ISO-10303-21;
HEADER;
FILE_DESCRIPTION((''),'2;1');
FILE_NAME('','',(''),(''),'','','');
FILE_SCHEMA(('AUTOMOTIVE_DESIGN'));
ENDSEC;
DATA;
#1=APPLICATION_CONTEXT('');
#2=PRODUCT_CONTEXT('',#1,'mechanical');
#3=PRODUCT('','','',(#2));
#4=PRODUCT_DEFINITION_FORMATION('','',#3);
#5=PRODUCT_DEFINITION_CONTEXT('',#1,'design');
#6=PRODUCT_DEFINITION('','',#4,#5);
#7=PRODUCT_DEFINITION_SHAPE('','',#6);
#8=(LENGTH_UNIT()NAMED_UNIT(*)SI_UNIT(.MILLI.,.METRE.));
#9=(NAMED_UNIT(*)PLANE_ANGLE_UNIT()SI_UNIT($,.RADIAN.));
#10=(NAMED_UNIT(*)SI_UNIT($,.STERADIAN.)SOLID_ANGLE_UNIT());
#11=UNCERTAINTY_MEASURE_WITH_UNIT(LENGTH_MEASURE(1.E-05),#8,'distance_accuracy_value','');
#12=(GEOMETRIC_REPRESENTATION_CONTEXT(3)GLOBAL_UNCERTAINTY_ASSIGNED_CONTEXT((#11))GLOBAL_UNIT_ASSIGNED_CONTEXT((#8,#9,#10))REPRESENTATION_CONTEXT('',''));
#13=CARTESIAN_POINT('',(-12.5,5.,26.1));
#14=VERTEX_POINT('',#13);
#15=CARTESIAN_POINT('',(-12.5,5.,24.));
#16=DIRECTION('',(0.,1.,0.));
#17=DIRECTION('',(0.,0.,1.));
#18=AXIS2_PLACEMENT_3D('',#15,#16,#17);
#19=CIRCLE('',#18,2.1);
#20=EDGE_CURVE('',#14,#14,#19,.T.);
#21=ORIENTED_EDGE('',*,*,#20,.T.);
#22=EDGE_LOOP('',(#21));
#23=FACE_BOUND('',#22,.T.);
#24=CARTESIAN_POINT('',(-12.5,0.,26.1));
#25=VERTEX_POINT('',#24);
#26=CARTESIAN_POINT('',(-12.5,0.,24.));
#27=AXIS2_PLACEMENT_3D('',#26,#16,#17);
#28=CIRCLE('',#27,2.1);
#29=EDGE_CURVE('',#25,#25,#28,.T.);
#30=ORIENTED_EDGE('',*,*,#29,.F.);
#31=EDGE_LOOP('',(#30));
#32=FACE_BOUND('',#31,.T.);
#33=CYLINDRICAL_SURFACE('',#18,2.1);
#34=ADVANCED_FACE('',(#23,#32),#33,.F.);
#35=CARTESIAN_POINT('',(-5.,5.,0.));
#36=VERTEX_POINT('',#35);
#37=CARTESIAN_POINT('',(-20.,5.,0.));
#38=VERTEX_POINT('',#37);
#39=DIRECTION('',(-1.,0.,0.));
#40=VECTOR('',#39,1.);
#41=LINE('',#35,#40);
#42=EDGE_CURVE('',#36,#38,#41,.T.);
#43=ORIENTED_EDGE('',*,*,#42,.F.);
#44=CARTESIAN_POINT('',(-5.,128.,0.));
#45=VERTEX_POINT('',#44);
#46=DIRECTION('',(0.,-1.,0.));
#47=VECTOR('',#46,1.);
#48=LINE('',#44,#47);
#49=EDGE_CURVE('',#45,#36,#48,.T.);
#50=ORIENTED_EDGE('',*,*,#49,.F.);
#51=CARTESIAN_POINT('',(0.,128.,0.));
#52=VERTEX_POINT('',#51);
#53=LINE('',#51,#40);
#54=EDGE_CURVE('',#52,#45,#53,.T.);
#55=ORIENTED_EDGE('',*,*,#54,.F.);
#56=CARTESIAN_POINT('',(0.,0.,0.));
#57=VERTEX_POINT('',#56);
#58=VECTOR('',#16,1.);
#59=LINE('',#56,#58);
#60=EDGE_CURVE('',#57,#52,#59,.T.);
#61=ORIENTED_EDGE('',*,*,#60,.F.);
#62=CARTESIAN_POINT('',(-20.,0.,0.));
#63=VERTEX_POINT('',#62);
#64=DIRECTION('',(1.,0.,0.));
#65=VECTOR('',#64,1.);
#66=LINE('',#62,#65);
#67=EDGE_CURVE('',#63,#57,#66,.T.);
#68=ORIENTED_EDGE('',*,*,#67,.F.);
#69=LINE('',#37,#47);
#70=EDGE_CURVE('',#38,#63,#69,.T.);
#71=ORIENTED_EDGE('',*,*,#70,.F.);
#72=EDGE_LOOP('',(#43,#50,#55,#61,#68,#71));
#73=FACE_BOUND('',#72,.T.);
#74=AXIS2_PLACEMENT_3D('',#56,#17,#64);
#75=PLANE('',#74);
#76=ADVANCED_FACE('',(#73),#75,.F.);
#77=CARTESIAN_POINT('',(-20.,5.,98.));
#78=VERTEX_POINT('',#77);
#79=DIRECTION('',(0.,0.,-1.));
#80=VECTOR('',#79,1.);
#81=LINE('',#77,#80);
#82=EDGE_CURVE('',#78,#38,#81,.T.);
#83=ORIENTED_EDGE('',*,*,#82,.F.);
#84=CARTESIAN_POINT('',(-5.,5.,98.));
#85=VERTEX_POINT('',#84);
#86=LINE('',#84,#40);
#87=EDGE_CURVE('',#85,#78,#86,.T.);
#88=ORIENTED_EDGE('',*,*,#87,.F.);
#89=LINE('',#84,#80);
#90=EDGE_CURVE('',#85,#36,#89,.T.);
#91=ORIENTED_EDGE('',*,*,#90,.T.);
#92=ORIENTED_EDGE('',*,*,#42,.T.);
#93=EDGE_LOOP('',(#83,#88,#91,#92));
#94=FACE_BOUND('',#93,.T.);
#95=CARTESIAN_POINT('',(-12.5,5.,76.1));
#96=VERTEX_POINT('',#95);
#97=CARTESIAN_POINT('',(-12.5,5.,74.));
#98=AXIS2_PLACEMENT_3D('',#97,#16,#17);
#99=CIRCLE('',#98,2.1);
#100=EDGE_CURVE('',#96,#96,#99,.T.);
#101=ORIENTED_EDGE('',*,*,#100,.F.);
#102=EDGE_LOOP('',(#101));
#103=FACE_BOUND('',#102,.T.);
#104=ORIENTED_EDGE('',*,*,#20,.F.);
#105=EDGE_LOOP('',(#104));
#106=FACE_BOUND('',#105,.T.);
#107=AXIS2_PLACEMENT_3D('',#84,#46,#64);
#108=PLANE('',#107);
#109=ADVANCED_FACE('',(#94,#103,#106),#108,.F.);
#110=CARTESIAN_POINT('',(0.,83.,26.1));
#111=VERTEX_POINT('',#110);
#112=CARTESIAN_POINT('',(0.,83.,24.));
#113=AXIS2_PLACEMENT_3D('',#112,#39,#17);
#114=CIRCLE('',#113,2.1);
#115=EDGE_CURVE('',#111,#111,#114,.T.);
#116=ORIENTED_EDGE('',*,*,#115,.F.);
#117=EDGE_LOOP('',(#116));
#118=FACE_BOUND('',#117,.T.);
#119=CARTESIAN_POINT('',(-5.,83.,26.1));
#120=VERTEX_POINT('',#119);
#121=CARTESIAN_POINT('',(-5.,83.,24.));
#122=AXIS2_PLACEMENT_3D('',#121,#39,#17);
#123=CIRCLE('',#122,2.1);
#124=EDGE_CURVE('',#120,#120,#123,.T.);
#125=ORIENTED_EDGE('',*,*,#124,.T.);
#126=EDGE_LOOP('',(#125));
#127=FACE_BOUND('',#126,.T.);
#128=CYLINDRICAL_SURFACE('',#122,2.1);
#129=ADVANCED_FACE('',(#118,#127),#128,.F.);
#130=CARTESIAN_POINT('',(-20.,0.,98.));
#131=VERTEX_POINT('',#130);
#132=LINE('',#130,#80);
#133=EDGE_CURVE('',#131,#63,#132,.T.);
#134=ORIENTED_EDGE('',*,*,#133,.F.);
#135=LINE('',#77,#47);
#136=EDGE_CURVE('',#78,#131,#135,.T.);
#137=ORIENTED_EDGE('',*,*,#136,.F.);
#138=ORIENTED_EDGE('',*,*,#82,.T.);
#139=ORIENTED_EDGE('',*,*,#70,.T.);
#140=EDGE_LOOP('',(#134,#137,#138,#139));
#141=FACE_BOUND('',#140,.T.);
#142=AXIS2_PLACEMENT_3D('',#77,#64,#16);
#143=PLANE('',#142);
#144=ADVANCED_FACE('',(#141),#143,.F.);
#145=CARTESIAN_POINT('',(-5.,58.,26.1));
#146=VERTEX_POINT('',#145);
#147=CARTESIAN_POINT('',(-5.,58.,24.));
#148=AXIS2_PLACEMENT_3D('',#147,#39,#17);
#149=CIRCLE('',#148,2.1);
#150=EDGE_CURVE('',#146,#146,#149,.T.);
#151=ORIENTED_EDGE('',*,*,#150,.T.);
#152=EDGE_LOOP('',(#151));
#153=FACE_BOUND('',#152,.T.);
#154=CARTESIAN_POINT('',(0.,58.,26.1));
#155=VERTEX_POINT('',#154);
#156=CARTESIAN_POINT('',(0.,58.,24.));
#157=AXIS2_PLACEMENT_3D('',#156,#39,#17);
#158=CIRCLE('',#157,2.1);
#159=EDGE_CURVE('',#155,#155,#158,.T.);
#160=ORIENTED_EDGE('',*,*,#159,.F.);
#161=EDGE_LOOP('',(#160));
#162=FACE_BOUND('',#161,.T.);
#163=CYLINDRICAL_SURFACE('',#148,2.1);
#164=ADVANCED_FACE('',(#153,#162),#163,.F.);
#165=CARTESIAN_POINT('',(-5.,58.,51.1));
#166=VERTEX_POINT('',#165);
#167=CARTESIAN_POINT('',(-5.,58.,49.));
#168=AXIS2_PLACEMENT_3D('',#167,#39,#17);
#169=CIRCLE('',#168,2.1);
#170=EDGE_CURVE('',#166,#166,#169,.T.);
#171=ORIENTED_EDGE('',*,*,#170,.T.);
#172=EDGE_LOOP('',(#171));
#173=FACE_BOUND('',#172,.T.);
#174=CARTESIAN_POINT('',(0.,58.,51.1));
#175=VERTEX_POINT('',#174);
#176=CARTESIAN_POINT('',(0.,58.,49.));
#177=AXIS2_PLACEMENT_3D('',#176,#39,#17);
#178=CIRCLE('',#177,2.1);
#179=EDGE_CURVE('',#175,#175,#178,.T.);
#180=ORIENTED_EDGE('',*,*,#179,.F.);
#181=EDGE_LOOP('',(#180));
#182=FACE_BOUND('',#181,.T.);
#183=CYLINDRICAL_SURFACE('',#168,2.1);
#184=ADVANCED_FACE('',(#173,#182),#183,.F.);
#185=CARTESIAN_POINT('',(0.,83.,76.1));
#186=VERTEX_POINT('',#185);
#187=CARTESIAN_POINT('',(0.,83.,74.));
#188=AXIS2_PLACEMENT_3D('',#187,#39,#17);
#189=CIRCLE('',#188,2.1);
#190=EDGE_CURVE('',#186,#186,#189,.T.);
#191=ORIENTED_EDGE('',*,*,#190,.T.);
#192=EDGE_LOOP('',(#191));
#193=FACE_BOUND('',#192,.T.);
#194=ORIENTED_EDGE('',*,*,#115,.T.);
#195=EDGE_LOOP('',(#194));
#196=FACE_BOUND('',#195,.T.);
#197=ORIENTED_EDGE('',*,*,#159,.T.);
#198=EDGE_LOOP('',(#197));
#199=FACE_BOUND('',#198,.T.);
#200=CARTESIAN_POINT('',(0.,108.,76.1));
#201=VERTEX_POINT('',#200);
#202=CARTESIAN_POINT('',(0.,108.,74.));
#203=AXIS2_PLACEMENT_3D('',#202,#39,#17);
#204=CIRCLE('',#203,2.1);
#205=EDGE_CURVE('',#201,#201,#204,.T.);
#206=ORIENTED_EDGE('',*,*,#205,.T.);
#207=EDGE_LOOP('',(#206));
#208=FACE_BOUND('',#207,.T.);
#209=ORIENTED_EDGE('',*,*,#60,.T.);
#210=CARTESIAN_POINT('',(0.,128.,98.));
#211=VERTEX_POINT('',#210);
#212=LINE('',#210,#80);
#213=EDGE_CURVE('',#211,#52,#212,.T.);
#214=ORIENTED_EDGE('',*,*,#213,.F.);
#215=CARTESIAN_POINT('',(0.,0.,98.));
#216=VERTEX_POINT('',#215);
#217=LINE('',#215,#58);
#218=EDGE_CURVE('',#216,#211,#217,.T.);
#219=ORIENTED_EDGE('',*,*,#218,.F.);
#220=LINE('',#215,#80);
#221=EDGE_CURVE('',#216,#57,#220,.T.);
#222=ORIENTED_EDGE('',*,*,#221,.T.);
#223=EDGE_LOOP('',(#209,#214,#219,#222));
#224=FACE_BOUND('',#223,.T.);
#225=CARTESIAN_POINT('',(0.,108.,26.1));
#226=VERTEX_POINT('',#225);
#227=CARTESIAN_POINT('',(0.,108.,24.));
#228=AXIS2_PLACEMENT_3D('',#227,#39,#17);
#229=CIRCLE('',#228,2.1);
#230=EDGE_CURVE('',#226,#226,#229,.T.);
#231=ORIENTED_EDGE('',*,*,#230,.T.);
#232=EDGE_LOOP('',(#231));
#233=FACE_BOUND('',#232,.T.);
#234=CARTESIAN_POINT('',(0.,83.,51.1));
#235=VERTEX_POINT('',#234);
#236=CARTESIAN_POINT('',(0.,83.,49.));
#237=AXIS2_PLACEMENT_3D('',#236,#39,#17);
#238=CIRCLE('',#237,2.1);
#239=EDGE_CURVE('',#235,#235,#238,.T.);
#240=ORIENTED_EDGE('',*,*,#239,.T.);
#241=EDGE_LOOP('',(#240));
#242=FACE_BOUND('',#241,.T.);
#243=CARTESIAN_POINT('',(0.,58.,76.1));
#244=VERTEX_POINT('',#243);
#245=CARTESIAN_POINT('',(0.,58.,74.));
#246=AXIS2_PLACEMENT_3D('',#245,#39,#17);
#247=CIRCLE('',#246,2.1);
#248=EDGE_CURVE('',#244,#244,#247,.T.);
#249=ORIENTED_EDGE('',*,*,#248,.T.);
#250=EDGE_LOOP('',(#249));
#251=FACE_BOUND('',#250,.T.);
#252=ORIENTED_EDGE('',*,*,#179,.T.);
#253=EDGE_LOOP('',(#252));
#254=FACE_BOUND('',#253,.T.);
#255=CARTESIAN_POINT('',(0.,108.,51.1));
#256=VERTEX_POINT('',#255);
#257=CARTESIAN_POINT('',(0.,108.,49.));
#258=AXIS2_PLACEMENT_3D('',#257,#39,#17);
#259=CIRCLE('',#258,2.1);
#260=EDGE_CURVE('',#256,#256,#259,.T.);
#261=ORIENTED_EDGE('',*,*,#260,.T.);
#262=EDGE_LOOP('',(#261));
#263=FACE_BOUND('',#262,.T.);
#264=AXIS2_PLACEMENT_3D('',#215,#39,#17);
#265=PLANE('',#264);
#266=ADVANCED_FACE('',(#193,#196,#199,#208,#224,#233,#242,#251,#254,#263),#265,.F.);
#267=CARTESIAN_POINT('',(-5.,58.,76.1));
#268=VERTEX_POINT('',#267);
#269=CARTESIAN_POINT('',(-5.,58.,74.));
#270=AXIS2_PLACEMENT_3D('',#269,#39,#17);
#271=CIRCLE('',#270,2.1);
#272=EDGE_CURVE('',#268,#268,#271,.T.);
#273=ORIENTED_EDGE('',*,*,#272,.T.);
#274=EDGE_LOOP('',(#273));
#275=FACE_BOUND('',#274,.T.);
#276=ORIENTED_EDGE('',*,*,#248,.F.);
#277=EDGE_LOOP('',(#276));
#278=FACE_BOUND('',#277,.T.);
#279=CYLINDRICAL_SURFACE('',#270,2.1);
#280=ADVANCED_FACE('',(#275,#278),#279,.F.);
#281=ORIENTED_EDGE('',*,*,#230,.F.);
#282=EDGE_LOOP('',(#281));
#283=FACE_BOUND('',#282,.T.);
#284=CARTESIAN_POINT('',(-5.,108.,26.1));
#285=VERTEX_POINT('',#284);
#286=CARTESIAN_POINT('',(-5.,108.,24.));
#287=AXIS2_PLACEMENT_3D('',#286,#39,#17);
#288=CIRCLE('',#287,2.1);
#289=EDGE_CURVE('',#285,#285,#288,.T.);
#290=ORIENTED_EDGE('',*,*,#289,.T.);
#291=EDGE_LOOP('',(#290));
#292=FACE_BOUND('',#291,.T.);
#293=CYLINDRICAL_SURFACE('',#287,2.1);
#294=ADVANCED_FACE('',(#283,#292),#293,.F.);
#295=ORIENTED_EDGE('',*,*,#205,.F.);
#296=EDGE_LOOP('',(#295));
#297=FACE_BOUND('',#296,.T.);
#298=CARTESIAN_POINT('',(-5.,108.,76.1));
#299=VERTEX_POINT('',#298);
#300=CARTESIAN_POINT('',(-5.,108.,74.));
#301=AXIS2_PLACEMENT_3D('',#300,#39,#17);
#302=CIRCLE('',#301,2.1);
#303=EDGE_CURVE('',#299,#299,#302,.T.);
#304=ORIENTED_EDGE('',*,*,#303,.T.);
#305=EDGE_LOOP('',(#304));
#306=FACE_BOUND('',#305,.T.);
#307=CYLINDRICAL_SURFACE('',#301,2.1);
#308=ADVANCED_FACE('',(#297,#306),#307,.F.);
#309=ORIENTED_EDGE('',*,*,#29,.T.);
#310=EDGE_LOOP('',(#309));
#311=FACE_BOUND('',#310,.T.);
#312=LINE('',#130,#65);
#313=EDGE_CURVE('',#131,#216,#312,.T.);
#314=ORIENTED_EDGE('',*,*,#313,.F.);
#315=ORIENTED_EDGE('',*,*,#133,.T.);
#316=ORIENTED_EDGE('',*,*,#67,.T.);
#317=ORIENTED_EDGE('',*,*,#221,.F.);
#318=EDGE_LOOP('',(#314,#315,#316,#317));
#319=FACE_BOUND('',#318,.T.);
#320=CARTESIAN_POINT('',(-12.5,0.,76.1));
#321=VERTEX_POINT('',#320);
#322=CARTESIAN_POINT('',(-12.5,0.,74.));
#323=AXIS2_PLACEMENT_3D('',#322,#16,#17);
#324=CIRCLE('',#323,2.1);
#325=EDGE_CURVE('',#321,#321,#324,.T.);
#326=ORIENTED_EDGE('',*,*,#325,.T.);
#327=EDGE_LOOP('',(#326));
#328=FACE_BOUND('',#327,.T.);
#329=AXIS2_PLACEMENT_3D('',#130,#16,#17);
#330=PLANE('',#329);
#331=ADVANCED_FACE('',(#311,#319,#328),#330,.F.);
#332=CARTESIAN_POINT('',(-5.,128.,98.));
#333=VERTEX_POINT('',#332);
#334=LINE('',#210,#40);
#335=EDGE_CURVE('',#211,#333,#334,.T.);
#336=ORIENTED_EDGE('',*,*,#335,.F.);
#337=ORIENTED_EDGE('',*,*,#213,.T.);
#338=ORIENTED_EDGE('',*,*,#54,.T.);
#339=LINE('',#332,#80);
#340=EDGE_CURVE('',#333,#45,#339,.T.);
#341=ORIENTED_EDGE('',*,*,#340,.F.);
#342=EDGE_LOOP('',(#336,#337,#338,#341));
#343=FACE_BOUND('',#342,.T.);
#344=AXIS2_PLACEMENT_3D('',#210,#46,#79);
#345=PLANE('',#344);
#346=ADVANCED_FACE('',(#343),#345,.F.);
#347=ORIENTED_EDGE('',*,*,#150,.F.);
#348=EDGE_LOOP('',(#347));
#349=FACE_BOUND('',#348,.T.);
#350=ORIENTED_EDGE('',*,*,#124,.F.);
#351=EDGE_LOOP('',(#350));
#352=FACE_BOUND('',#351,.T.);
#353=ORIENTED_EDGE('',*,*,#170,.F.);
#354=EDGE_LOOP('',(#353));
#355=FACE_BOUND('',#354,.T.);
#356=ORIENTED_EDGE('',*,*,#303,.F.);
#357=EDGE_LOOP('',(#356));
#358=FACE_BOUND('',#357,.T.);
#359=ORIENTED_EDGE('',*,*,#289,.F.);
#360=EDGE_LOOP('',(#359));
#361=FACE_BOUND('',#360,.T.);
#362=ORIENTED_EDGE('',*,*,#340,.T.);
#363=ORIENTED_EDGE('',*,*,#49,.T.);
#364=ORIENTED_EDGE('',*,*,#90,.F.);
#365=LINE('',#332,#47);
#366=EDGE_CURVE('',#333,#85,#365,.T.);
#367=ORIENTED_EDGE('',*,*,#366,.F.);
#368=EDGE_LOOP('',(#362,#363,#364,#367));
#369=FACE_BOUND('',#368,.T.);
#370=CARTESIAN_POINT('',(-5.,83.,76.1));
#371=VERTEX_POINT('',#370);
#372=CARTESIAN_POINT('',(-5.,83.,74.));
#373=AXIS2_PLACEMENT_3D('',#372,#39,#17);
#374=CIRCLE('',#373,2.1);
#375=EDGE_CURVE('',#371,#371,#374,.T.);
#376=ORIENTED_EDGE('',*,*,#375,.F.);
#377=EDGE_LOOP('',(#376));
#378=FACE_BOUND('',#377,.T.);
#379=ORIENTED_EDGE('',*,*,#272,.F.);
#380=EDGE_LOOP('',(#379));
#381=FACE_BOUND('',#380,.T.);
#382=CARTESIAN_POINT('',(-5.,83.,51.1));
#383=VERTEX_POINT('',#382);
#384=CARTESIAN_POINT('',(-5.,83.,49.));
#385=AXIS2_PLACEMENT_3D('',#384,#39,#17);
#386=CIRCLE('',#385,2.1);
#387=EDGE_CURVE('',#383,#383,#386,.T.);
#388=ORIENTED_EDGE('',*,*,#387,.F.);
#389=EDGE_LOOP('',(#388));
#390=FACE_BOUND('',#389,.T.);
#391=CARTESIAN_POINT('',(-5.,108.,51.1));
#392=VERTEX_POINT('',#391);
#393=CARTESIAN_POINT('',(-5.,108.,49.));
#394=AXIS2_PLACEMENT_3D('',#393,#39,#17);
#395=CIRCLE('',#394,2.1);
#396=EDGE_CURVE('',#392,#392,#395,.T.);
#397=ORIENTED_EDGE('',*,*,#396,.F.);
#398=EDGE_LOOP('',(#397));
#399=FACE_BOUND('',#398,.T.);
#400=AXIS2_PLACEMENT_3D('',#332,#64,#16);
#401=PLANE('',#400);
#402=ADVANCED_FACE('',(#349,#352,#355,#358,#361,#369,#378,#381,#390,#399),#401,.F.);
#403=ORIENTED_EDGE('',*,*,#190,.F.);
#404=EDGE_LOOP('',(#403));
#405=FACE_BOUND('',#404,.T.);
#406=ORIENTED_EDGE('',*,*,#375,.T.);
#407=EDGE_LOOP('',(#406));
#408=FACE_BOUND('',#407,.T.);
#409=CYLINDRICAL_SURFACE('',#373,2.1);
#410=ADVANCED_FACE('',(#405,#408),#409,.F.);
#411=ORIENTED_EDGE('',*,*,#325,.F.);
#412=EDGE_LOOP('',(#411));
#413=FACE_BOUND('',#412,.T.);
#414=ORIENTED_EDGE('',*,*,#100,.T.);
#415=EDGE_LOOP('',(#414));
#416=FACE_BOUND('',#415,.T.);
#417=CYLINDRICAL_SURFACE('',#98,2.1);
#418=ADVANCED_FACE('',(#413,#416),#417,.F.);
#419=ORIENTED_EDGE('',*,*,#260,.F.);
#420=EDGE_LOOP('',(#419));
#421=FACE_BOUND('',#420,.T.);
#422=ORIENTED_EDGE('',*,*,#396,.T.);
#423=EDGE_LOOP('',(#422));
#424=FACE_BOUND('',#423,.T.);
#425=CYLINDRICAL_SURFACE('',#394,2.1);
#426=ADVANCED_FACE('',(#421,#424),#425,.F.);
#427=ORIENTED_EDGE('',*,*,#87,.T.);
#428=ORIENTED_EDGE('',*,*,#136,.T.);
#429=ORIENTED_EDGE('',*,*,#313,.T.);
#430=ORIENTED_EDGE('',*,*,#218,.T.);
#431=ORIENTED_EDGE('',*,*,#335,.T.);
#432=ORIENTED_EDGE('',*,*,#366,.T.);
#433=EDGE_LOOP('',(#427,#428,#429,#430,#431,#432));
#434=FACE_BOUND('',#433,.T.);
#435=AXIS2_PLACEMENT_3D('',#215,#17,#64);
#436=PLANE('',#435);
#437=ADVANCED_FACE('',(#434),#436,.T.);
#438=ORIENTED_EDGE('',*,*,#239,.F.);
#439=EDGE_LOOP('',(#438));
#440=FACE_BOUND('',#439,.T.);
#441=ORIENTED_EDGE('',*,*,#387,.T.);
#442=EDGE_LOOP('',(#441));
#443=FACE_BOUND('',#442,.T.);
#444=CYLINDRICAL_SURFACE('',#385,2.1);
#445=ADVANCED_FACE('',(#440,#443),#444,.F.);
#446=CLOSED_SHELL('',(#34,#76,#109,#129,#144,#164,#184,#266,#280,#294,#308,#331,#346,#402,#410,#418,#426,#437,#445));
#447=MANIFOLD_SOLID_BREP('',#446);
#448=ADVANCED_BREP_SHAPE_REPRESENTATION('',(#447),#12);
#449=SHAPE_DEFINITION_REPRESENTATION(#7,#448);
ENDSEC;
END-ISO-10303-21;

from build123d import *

# Parameters (mm, degrees)
EXTRUDE_1_DEPTH        = 98
HOLE_WIZARD_M5_1_D     = 4.2
HOLE_WIZARD_M5_1_DEPTH = 14
HOLE_WIZARD_M5_1_TIP   = 1.2618073
HOLE_WIZARD_M5_2_D     = 4.2
HOLE_WIZARD_M5_2_DEPTH = 14
HOLE_WIZARD_M5_2_TIP   = 1.2618073


with BuildPart() as part:
    # 草图1 → 凸台-拉伸1 (new body)
    with BuildSketch(Plane.XY):
        Polygon((0, 0), (0, 128), (-5, 128), (-5, 5), (-20, 5), (-20, 0), align=None)
    extrude(amount=EXTRUDE_1_DEPTH)

    # M5 螺纹孔1
    with Locations(Plane(origin=(0, 5, 0), x_dir=(1, 0, 0), z_dir=(0, 1, 0))):
        with Locations((-12.5, -24), (-12.5, -74)):
            Hole(HOLE_WIZARD_M5_1_D / 2, depth=HOLE_WIZARD_M5_1_DEPTH)
            with Locations((0, 0, -(HOLE_WIZARD_M5_1_DEPTH + HOLE_WIZARD_M5_1_TIP / 2))):  # 118° drill point
                Cone(0, HOLE_WIZARD_M5_1_D / 2, HOLE_WIZARD_M5_1_TIP, mode=Mode.SUBTRACT)

    # M5 螺纹孔2
    with Locations(Plane.ZY.offset(5)):
        with Locations((24, 58), (49, 58), (74, 58), (74, 83), (74, 108), (49, 108), (24, 108), (24, 83), (49, 83)):
            Hole(HOLE_WIZARD_M5_2_D / 2, depth=HOLE_WIZARD_M5_2_DEPTH)
            with Locations((0, 0, -(HOLE_WIZARD_M5_2_DEPTH + HOLE_WIZARD_M5_2_TIP / 2))):  # 118° drill point
                Cone(0, HOLE_WIZARD_M5_2_D / 2, HOLE_WIZARD_M5_2_TIP, mode=Mode.SUBTRACT)


solid = part.part
